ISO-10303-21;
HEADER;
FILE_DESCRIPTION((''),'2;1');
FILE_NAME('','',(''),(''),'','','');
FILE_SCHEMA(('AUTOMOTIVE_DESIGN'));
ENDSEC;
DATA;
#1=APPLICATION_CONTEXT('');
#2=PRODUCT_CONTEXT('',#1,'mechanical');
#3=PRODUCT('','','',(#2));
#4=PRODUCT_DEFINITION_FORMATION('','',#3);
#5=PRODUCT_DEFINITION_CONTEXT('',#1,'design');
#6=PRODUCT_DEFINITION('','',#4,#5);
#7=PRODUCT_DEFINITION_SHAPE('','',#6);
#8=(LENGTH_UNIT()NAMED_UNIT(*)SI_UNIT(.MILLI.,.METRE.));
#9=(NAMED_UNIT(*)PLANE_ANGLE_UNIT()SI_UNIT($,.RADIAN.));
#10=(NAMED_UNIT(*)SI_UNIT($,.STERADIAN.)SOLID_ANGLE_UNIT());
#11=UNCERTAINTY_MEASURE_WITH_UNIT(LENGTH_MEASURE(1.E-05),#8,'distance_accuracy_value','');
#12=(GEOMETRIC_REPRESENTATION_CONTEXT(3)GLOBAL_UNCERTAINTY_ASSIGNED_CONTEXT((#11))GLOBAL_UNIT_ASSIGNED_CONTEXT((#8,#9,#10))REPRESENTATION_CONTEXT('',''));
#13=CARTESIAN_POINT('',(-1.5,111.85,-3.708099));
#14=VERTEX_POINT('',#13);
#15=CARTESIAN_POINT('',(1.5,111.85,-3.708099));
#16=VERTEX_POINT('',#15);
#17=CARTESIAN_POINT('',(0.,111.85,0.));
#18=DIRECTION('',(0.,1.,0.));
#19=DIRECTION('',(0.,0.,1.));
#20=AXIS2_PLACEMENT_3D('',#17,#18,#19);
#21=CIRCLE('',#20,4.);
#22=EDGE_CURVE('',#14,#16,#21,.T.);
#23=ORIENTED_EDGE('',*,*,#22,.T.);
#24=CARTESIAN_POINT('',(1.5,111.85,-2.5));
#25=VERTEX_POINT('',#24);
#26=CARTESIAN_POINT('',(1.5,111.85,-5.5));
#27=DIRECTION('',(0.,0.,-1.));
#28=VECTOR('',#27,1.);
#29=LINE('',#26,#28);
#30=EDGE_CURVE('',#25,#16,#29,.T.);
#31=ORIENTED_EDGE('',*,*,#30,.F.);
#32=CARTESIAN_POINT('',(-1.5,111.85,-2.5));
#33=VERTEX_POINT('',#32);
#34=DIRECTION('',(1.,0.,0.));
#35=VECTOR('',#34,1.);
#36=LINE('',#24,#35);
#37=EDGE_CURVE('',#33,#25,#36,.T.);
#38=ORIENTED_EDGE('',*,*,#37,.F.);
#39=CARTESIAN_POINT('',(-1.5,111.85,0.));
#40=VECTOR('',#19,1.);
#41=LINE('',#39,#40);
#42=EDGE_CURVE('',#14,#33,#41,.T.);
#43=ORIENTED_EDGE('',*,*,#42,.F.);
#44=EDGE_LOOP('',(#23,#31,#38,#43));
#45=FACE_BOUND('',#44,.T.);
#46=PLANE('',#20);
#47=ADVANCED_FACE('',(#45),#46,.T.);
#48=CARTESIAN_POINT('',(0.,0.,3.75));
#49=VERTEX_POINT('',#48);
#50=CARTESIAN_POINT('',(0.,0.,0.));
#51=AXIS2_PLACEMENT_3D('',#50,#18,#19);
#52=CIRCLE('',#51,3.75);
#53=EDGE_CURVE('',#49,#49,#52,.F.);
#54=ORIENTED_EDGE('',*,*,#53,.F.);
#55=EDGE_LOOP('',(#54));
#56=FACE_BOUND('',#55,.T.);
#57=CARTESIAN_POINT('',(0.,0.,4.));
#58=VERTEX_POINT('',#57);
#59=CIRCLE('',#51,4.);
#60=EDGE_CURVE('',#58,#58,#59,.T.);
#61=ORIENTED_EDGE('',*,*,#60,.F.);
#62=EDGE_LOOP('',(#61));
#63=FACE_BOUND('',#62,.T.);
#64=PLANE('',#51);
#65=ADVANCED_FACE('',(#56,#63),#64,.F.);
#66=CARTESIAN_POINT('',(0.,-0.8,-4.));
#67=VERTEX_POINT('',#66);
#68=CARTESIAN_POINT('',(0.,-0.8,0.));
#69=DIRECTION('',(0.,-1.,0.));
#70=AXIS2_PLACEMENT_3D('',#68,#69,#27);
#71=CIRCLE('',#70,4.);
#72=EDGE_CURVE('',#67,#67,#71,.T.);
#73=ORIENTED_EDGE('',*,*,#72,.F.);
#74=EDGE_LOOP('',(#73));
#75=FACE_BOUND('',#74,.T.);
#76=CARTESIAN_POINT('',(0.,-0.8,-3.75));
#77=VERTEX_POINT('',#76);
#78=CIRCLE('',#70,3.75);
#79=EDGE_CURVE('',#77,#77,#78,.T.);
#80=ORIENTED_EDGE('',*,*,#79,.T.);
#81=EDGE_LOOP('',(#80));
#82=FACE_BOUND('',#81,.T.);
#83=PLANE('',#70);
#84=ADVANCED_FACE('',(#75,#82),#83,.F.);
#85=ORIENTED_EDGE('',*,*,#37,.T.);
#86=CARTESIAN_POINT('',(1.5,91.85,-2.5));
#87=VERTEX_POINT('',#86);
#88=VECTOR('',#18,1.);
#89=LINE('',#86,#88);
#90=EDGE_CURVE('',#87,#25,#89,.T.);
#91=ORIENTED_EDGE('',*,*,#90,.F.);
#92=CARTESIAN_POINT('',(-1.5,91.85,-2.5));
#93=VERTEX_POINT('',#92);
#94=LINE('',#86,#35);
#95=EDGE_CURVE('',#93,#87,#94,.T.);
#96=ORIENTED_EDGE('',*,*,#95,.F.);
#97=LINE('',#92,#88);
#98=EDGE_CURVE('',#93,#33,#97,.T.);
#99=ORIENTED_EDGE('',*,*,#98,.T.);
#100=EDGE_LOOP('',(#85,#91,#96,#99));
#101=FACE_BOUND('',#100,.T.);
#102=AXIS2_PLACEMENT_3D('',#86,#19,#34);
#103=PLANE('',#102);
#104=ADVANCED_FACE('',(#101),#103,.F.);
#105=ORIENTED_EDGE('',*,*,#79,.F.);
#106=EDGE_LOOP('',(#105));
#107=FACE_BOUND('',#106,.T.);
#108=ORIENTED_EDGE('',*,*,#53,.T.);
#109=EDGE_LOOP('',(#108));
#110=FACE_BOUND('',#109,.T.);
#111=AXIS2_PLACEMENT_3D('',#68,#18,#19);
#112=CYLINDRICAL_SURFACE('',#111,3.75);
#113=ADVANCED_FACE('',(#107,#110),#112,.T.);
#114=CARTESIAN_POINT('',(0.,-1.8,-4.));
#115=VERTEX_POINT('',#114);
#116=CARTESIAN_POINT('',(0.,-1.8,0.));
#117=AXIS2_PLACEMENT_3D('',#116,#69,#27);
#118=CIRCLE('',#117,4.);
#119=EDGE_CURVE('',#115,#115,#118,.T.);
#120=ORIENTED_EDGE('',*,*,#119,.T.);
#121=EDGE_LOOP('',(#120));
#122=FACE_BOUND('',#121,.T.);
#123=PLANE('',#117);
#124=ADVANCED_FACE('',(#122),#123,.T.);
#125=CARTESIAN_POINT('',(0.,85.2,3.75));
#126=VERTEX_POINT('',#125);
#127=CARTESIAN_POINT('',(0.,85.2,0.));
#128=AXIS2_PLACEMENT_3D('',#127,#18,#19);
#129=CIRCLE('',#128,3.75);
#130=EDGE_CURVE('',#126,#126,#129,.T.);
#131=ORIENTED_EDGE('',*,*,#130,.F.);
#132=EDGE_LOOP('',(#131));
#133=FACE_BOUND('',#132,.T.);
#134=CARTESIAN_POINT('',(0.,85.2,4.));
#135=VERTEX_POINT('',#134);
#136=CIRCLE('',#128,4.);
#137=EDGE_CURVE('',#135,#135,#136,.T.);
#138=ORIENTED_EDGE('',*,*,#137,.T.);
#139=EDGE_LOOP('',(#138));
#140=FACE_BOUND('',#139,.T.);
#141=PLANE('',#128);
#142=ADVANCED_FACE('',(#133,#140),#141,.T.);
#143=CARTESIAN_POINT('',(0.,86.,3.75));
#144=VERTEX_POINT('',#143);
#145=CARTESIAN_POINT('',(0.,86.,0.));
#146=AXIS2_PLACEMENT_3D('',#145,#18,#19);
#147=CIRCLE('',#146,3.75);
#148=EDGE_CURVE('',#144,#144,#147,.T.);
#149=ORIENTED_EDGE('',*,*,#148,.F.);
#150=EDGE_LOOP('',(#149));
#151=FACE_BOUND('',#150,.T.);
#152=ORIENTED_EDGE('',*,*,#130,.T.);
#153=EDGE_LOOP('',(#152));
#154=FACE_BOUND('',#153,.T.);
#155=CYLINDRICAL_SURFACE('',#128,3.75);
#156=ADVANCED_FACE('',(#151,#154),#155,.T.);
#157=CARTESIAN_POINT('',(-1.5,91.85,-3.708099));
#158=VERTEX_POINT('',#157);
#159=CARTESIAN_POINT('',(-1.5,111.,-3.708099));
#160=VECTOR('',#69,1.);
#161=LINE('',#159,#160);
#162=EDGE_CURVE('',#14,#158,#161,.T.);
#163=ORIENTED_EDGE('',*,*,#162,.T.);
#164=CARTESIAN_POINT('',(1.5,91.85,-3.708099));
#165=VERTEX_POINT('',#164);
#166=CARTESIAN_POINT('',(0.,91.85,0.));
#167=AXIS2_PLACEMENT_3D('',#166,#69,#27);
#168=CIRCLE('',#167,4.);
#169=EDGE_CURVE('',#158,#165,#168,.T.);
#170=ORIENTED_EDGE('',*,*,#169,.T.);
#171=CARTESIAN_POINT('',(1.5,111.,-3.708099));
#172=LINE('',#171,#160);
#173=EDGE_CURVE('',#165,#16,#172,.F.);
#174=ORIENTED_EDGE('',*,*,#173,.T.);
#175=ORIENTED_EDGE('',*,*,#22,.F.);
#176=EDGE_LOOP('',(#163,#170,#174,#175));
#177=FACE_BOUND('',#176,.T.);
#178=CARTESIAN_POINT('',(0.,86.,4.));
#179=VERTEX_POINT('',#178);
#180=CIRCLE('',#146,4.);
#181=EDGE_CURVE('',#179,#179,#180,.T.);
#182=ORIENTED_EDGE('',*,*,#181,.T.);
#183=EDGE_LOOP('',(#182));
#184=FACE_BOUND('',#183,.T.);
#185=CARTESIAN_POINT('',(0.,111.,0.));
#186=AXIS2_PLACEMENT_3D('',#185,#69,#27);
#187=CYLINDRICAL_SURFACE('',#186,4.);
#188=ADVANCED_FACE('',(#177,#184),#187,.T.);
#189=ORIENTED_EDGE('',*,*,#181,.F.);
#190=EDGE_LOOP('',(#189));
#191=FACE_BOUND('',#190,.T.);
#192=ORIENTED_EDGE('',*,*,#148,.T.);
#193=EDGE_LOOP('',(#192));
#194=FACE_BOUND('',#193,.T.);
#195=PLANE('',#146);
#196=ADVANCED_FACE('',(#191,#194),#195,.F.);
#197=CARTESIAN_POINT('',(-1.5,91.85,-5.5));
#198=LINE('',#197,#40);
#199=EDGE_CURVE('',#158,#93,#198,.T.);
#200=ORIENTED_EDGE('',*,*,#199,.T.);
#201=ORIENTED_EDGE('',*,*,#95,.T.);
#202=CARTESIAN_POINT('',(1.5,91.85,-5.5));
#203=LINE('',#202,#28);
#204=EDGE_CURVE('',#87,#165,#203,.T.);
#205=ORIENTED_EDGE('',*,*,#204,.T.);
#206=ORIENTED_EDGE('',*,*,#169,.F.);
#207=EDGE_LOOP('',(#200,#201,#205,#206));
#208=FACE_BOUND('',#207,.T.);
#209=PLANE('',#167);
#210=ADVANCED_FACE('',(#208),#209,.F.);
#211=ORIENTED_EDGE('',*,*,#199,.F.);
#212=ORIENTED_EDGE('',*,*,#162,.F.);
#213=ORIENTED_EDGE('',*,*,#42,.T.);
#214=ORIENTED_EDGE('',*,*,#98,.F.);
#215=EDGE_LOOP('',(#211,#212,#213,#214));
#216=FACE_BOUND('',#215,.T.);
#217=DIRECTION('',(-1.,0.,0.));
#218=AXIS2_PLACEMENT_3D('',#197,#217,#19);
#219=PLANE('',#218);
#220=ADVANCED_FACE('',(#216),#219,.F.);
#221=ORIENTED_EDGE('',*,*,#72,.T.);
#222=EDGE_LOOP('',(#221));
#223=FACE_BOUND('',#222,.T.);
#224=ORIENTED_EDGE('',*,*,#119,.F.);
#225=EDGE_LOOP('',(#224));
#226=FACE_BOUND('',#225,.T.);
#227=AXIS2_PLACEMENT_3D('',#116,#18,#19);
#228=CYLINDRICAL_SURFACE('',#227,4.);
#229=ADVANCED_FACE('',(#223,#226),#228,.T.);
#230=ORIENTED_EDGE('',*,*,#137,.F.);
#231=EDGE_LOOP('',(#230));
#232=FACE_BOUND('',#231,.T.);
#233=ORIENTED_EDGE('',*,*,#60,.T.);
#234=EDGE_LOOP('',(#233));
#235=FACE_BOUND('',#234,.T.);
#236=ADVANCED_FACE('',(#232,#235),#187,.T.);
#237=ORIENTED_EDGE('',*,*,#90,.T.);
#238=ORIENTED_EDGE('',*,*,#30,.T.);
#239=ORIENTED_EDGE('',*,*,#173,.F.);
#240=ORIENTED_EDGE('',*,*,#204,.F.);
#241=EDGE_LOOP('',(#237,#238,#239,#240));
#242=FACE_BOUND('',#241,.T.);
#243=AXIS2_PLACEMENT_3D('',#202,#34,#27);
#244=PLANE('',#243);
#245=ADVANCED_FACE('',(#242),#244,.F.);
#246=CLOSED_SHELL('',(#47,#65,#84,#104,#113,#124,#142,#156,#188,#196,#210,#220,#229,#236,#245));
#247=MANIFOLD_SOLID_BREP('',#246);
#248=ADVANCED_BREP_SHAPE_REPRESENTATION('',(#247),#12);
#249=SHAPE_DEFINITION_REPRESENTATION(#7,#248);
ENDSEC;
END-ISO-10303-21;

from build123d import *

# Parameters (mm, degrees)
SKETCH1_R           = 4
BOSS_EXTRUDE1_DEPTH = 111
CUT_EXTRUDE1_START  = -0.8
SKETCH2_R           = 4
SKETCH2_R_2         = 3.75
CUT_EXTRUDE1_DEPTH  = 0.8
SKETCH4_R           = 4
BOSS_EXTRUDE3_DEPTH = 0.85
BOSS_EXTRUDE4_START = 0.8
SKETCH3_R           = 3.75
BOSS_EXTRUDE4_DEPTH = 0.8
BOSS_EXTRUDE5_START = 1
SKETCH5_R           = 4
BOSS_EXTRUDE5_DEPTH = 1
SKETCH6_W           = 3
SKETCH6_H           = 3
CUT_EXTRUDE2_DEPTH  = 20


with BuildPart() as part:
    # Sketch1 → Boss-Extrude1 (new body)
    with BuildSketch(Plane(origin=(0, 0, 0), x_dir=(1, 0, 0), z_dir=(0, 1, 0))):
        with Locations(Location((0, 0, 0), (0, 0, 270))):
            Circle(SKETCH1_R)
    extrude(amount=BOSS_EXTRUDE1_DEPTH)

    # Sketch2 → Cut-Extrude1 (cut)
    with BuildSketch(Plane(origin=(0, 86, 0), x_dir=(1, 0, 0), z_dir=(0, 1, 0)).offset(CUT_EXTRUDE1_START)):
        with Locations(Location((0, 0, 0), (0, 0, 270))):
            Circle(SKETCH2_R)
        with Locations(Location((0, 0, 0), (0, 0, 270))):
            Circle(SKETCH2_R_2, mode=Mode.SUBTRACT)
    extrude(amount=CUT_EXTRUDE1_DEPTH, mode=Mode.SUBTRACT)

    # Sketch4 → Boss-Extrude3 (add)
    with BuildSketch(Plane(origin=(0, 111, 0), x_dir=(1, 0, 0), z_dir=(0, 1, 0))):
        with Locations(Location((0, 0, 0), (0, 0, 270))):
            Circle(SKETCH4_R)
    extrude(amount=BOSS_EXTRUDE3_DEPTH)

    # Sketch3 → Boss-Extrude4 (add)
    with BuildSketch(Plane(origin=(0, 0, 0), x_dir=(-1, 0, 0), z_dir=(0, -1, 0)).offset(BOSS_EXTRUDE4_START)):
        with Locations(Location((0, 0, 0), (0, 0, 270))):
            Circle(SKETCH3_R)
    extrude(amount=-BOSS_EXTRUDE4_DEPTH)

    # Sketch5 → Boss-Extrude5 (add)
    with BuildSketch(Plane.XZ.offset(0.8).offset(BOSS_EXTRUDE5_START)):
        with Locations(Location((0, 0, 0), (0, 0, 90))):
            Circle(SKETCH5_R)
    extrude(amount=-BOSS_EXTRUDE5_DEPTH)

    # Sketch6 → Cut-Extrude2 (cut)
    with BuildSketch(Plane(origin=(0, 111.85, 0), x_dir=(1, 0, 0), z_dir=(0, 1, 0))):
        with Locations((0, 4)):
            Rectangle(SKETCH6_W, SKETCH6_H)
    extrude(amount=-CUT_EXTRUDE2_DEPTH, mode=Mode.SUBTRACT)


solid = part.part
